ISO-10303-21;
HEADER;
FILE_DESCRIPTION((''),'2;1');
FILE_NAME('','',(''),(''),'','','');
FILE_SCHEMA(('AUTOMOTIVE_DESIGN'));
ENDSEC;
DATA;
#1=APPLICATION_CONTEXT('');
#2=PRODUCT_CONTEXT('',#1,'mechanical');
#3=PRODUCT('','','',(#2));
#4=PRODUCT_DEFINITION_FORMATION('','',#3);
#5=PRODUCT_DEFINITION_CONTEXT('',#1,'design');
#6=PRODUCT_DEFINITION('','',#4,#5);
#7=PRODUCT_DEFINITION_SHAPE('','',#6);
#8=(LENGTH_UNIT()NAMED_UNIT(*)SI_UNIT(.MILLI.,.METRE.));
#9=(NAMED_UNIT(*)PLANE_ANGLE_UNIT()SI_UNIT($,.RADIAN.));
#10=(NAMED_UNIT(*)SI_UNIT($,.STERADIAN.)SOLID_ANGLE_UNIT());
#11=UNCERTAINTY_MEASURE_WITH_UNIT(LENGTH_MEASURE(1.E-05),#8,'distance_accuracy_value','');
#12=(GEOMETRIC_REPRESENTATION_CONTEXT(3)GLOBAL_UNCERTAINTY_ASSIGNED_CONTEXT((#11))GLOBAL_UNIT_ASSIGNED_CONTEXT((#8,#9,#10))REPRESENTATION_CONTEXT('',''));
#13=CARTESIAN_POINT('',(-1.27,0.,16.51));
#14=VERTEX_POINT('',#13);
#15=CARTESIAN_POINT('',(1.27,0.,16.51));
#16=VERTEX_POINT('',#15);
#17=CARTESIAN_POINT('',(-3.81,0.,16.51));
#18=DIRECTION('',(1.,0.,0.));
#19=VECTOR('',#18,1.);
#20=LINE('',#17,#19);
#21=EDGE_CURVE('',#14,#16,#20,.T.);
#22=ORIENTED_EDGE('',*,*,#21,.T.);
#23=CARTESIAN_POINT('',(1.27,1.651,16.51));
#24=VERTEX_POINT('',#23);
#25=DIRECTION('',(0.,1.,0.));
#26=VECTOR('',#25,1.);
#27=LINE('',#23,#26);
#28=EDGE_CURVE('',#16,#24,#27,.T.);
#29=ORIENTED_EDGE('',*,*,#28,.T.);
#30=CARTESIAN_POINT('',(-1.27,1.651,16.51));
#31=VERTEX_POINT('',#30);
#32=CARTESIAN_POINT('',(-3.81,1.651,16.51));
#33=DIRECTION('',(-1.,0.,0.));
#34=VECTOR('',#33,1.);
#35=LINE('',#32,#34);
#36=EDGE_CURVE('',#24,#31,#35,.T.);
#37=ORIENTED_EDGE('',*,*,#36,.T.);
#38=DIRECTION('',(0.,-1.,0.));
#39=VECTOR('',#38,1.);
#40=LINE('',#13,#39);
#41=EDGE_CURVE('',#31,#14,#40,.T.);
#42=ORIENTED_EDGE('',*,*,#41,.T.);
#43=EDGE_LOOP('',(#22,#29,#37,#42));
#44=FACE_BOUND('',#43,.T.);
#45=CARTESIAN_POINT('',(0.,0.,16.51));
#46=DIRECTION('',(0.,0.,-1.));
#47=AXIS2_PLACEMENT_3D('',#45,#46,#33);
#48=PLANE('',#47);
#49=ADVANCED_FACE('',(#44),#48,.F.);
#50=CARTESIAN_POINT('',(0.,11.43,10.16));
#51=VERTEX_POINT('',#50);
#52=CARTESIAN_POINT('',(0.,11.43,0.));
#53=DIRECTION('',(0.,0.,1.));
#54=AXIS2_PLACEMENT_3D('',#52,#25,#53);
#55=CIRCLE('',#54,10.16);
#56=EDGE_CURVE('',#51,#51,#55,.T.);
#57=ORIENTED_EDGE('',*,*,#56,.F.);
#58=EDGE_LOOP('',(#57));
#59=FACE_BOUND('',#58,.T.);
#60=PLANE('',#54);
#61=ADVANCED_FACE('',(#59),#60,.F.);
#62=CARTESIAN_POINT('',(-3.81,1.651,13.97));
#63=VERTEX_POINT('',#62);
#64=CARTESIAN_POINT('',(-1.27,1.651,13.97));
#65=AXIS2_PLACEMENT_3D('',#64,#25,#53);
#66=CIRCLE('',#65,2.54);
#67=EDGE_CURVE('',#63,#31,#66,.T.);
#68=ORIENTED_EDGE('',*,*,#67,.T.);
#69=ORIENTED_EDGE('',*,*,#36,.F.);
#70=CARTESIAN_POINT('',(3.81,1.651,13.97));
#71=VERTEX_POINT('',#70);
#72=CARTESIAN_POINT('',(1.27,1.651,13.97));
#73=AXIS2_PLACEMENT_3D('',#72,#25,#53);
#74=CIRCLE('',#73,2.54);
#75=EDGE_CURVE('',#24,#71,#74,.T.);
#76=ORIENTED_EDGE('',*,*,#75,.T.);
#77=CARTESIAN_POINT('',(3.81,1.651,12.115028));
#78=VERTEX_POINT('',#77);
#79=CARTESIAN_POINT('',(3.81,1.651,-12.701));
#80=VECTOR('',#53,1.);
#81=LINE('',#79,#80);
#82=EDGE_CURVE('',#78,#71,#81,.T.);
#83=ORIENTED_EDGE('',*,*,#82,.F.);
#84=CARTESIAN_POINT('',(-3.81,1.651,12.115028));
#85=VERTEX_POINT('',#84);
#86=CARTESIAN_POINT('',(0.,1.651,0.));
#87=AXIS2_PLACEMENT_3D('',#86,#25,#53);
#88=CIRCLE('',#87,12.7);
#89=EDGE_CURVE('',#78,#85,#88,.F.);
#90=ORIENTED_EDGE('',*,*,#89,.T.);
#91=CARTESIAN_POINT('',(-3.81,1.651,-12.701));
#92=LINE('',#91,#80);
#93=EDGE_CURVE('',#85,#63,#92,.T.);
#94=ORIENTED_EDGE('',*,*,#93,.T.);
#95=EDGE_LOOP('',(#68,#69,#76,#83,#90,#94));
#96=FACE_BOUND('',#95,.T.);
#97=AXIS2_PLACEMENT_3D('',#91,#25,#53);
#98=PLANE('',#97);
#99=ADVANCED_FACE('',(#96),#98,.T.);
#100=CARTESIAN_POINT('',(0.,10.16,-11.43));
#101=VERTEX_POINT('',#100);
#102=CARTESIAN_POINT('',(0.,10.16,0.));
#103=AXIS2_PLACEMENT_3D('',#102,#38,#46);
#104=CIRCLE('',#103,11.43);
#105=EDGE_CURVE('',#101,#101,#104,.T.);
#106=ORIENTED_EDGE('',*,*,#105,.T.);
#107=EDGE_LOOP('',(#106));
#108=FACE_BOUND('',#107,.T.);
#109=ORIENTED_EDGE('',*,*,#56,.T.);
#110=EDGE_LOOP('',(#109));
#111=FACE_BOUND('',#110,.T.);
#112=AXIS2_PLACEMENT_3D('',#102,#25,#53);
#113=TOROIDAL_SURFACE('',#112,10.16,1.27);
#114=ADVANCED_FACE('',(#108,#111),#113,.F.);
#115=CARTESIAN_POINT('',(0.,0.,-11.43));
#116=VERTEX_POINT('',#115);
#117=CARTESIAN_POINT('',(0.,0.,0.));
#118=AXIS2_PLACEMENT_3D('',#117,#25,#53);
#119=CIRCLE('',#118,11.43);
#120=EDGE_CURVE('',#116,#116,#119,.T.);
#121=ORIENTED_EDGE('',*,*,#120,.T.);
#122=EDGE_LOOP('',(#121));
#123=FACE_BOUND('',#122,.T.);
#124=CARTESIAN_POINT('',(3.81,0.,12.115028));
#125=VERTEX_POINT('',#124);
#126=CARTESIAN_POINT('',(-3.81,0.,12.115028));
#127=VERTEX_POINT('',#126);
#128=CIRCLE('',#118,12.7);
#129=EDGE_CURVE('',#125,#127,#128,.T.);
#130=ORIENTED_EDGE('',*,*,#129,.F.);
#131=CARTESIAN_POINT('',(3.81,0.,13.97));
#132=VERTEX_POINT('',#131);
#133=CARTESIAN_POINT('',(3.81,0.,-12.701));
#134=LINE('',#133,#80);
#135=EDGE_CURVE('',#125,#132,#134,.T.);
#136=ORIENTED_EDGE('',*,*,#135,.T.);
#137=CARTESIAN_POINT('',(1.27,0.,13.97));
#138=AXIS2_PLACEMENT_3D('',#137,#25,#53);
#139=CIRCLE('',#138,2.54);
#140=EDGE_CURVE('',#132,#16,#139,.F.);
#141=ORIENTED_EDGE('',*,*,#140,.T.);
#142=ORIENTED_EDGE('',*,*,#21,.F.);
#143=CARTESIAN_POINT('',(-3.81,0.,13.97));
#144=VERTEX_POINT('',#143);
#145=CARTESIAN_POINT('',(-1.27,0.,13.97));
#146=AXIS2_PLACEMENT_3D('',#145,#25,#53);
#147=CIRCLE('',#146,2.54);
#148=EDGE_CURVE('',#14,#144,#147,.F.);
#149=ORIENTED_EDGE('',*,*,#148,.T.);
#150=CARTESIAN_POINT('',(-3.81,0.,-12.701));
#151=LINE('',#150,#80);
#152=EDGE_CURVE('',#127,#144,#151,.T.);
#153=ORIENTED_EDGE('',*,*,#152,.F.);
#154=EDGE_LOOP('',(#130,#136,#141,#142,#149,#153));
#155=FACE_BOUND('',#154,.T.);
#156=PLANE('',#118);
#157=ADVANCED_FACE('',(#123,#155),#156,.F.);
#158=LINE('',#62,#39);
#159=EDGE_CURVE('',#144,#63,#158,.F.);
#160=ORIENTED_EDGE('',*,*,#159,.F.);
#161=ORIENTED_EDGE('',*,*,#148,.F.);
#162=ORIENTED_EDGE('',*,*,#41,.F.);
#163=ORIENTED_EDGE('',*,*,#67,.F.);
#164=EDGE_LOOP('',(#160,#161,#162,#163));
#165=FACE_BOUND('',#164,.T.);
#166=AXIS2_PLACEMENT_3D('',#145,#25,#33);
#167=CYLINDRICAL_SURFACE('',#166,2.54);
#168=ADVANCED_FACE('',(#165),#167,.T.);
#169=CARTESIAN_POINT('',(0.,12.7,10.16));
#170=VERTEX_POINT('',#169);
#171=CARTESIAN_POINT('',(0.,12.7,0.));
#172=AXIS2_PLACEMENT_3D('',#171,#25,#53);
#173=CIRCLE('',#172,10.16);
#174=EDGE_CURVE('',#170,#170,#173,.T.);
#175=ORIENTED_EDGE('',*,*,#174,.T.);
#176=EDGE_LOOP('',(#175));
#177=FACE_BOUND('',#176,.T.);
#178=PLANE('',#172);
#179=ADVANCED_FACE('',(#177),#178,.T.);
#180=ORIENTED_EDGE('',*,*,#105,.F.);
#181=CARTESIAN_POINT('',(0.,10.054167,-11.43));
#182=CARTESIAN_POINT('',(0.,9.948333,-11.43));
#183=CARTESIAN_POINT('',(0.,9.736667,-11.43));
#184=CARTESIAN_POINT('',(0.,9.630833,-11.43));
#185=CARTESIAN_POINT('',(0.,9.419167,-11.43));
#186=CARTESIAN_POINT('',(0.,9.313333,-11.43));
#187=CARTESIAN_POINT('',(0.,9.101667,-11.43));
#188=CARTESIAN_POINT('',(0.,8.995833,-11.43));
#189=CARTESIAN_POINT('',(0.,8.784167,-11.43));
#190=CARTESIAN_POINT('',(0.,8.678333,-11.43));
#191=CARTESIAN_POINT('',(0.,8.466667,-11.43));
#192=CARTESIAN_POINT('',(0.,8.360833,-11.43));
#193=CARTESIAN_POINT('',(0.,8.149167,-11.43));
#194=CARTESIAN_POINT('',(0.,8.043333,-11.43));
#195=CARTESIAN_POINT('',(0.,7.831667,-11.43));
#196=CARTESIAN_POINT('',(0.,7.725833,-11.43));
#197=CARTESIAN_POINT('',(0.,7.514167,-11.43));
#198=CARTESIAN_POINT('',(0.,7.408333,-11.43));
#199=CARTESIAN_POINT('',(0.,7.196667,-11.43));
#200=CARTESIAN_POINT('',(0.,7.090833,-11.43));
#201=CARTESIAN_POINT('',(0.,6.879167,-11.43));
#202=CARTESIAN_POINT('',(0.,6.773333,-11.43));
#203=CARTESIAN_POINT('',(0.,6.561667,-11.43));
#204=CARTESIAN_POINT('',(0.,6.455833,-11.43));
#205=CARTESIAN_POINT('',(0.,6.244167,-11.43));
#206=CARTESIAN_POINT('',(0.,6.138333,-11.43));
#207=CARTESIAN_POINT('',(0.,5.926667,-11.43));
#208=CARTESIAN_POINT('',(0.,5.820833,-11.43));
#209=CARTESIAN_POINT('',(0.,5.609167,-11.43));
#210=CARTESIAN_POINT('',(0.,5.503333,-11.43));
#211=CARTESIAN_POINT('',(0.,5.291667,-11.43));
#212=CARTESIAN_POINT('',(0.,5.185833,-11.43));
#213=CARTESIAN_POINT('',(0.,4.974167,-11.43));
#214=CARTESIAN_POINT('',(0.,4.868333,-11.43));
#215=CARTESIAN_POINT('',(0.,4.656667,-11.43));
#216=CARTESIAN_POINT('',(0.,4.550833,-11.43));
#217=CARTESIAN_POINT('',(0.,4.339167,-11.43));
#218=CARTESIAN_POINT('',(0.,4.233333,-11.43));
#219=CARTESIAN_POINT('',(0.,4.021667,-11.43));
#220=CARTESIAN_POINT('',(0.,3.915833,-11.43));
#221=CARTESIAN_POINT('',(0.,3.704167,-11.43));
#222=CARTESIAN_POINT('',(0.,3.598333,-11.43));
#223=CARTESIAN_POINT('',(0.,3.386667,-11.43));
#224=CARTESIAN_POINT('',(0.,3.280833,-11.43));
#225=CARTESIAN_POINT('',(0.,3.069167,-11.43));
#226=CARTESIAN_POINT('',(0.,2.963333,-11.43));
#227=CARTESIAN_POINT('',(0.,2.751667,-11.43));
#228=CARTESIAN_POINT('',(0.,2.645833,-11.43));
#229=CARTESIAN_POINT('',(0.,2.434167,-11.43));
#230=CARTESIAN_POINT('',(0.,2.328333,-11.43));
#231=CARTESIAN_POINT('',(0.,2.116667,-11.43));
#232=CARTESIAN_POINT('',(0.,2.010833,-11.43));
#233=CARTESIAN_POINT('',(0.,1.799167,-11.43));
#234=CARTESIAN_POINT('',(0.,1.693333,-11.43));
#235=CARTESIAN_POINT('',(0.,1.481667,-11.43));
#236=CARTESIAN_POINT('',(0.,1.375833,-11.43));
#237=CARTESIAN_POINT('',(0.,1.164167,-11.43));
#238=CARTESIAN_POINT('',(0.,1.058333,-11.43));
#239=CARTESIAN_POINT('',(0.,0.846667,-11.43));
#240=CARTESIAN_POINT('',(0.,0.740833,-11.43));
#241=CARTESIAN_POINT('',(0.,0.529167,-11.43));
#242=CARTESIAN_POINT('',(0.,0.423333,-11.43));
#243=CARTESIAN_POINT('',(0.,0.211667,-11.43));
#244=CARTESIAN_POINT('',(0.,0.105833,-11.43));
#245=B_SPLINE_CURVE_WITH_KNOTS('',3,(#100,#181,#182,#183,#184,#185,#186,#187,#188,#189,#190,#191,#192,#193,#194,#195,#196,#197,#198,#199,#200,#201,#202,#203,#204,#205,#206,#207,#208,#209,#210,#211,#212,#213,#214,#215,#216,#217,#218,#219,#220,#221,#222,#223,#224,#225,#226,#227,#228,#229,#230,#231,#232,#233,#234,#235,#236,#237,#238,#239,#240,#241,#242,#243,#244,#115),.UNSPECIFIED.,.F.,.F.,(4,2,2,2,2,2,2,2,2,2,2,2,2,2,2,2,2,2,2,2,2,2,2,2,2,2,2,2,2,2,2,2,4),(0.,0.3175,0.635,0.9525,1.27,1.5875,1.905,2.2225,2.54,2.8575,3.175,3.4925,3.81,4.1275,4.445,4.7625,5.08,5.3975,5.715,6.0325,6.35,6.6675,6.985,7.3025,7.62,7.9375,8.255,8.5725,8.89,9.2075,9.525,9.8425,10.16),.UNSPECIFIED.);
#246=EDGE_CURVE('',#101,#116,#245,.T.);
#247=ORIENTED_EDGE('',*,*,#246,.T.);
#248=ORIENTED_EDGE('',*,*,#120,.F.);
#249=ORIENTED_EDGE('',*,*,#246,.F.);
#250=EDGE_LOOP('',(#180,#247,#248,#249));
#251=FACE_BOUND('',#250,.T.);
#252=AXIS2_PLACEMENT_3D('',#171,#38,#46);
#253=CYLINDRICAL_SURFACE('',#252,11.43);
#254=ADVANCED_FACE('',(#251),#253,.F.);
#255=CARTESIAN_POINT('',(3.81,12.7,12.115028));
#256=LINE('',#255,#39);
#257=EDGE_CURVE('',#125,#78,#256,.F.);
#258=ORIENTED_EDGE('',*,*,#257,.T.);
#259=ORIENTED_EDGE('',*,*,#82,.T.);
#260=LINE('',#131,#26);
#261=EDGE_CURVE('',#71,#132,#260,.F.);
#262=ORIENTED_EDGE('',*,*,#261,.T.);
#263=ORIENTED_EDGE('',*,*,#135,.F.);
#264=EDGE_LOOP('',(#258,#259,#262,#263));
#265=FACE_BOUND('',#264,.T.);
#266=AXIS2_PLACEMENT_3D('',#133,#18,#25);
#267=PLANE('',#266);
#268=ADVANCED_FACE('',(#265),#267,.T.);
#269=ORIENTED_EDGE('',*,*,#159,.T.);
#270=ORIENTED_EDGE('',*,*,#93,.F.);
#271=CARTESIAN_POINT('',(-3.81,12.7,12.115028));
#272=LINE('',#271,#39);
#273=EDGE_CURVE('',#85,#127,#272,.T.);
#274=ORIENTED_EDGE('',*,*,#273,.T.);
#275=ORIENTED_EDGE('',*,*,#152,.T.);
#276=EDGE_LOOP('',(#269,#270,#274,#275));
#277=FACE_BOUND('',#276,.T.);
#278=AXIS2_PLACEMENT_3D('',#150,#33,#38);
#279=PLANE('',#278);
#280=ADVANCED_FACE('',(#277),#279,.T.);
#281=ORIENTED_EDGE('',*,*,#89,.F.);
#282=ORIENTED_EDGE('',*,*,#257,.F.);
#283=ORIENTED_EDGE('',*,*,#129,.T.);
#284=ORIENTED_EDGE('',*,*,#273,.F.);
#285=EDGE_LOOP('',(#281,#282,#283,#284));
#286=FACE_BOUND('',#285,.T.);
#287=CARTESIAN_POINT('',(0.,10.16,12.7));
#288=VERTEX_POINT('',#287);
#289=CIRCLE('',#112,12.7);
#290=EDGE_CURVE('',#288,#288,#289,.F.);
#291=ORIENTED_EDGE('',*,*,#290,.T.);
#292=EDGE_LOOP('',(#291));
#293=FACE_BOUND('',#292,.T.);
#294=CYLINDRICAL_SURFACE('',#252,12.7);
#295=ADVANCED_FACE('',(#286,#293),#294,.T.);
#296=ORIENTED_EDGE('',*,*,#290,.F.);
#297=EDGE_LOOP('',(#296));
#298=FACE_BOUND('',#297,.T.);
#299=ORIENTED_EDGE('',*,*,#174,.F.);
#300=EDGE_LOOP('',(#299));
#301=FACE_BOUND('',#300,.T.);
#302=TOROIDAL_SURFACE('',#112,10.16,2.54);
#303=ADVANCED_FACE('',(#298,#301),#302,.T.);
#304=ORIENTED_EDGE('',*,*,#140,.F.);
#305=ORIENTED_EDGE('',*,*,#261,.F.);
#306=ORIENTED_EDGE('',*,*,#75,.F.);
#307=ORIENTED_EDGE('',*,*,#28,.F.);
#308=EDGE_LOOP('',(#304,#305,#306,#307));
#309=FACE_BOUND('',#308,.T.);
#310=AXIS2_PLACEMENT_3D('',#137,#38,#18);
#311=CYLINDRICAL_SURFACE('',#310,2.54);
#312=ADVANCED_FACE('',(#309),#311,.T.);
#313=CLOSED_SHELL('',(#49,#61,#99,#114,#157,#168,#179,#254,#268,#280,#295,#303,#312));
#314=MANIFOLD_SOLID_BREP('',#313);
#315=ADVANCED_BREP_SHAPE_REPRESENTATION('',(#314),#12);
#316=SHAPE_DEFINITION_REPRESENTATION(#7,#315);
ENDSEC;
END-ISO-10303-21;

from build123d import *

# Parameters (mm, degrees)
SKETCH1_R                = 12.7
BOSS_EXTRUDE1_DEPTH      = 12.7
FILLET1_R                = 2.54
SHELL1_T                 = -1.27
BOSS_EXTRUDE2_REACH      = 36.29
BOSS_EXTRUDE2_END_RADIUS = 12.7
SKETCH4_W                = 7.62
SKETCH4_H                = 1.651
FILLET2_R                = 2.54


with BuildPart() as part:
    # Sketch1 → Boss-Extrude1 (new body)
    with BuildSketch(Plane(origin=(0, 0, 0), x_dir=(1, 0, 0), z_dir=(0, 1, 0))):
        with Locations(Location((0, 0, 0), (0, 0, 90))):
            Circle(SKETCH1_R)
    extrude(amount=BOSS_EXTRUDE1_DEPTH)

    # Fillet1
    fillet1_edges = [part.edges().sort_by_distance(p)[0] for p in [
        (0, 12.7, 12.7),
    ]]
    fillet(fillet1_edges, radius=FILLET1_R)

    # Shell1
    shell1_openings = [part.faces().sort_by_distance(p)[0] for p in [
        (0, 0, 0),
    ]]
    offset(amount=SHELL1_T, openings=shell1_openings, kind=Kind.INTERSECTION)

    # Boss-Extrude2: up to this cylinder (the profile starts outside it)
    boss_extrude2_end = Plane(origin=(0, 0.8255, 0), z_dir=(0, -1, 0)) * Cylinder(BOSS_EXTRUDE2_END_RADIUS, 98.98, mode=Mode.PRIVATE)
    # Sketch4 → Boss-Extrude2 (add, up to the surface)
    with BuildSketch(Plane.XY.offset(16.51), mode=Mode.PRIVATE) as boss_extrude2_sk1:
        with Locations((0, 0.8255)):
            Rectangle(SKETCH4_W, SKETCH4_H)
    boss_extrude2_tool1 = extrude(boss_extrude2_sk1.sketch, amount=-BOSS_EXTRUDE2_REACH, mode=Mode.PRIVATE) - boss_extrude2_end
    add(boss_extrude2_tool1.solids().sort_by_distance((0, 0.8255, 16.51))[0])

    # Fillet2
    fillet2_edges = [part.edges().sort_by_distance(p)[0] for p in [
        (-3.81, 0.8255, 16.51),
        (3.81, 0.8255, 16.51),
    ]]
    fillet(fillet2_edges, radius=FILLET2_R)


solid = part.part
